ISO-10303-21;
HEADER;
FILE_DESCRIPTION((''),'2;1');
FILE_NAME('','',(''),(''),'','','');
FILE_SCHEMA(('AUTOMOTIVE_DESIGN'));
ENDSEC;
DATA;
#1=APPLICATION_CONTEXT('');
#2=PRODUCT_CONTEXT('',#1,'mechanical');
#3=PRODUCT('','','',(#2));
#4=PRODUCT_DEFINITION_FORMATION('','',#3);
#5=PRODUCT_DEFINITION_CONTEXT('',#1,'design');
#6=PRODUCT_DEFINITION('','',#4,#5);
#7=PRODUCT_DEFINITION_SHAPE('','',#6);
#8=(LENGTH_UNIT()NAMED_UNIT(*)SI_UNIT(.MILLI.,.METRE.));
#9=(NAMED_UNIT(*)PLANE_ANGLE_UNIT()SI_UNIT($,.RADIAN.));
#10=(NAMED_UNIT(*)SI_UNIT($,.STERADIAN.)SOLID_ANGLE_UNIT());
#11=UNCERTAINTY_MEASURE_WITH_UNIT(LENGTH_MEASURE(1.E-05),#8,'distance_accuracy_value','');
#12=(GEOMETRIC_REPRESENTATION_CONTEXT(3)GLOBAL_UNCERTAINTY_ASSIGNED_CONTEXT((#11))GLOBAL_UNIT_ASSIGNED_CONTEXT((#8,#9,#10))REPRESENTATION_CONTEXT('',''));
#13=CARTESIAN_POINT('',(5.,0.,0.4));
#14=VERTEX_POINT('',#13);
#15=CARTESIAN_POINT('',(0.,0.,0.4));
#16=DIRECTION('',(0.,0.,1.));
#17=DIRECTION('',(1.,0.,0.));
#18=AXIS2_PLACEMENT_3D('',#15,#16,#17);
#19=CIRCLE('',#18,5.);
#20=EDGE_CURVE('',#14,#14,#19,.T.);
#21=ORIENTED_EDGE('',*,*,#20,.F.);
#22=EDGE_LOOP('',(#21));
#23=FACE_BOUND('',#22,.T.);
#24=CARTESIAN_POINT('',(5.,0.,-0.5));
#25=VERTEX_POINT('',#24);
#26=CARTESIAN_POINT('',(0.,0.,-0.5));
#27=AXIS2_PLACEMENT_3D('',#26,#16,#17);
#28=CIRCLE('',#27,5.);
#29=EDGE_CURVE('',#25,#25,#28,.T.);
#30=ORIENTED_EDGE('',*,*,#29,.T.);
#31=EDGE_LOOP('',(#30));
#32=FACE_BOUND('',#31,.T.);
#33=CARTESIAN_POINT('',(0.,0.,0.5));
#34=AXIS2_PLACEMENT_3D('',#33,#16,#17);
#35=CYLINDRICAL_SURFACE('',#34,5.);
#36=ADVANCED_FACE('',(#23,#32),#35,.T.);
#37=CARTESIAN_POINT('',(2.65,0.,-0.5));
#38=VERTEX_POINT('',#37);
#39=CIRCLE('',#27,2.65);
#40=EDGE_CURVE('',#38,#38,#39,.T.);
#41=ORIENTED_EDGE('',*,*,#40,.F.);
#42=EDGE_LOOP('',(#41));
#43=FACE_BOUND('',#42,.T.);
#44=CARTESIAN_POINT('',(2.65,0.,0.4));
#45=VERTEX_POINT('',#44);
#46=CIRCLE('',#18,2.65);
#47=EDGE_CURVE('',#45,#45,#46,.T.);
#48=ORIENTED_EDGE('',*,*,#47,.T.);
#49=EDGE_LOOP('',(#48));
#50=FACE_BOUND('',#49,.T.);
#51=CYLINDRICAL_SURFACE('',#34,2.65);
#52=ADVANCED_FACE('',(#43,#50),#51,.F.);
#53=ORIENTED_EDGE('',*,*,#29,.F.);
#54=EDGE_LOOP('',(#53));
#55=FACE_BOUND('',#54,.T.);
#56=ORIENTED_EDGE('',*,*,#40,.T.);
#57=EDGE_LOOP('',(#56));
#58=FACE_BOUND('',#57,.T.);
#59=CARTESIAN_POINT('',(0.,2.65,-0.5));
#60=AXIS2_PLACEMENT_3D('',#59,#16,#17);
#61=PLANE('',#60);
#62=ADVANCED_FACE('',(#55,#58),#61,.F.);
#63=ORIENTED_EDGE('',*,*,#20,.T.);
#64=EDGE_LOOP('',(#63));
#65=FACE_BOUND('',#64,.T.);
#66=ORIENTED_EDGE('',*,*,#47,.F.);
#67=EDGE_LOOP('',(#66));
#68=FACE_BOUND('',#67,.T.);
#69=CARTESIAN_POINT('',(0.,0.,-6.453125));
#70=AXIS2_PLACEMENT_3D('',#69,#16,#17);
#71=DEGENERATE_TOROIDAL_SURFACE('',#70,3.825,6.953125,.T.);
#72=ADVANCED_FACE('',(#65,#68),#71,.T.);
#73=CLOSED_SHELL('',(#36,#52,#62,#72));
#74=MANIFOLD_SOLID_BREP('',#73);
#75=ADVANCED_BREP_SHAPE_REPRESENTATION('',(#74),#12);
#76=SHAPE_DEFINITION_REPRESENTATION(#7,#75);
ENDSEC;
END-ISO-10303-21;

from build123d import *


with BuildPart() as part:
    # Sketch3 → Revolve1 (revolve)
    with BuildSketch(Plane(origin=(0, 0, 0), x_dir=(0, 0, -1), z_dir=(1, 0, 0)), mode=Mode.PRIVATE) as revolve1_sk:
        with BuildLine():
            Line((0.5, 5), (-0.4, 5))
            ThreePointArc((-0.4, 5), (-0.5, 3.825), (-0.4, 2.65))
            Line((-0.4, 2.65), (0.5, 2.65))
            Line((0.5, 2.65), (0.5, 5))
        make_face()
    revolve(revolve1_sk.sketch.rotate(Axis((0, 0, 0.5), (0, 0, -1)), 90), axis=Axis((0, 0, 0.5), (0, 0, -1)))


solid = part.part
